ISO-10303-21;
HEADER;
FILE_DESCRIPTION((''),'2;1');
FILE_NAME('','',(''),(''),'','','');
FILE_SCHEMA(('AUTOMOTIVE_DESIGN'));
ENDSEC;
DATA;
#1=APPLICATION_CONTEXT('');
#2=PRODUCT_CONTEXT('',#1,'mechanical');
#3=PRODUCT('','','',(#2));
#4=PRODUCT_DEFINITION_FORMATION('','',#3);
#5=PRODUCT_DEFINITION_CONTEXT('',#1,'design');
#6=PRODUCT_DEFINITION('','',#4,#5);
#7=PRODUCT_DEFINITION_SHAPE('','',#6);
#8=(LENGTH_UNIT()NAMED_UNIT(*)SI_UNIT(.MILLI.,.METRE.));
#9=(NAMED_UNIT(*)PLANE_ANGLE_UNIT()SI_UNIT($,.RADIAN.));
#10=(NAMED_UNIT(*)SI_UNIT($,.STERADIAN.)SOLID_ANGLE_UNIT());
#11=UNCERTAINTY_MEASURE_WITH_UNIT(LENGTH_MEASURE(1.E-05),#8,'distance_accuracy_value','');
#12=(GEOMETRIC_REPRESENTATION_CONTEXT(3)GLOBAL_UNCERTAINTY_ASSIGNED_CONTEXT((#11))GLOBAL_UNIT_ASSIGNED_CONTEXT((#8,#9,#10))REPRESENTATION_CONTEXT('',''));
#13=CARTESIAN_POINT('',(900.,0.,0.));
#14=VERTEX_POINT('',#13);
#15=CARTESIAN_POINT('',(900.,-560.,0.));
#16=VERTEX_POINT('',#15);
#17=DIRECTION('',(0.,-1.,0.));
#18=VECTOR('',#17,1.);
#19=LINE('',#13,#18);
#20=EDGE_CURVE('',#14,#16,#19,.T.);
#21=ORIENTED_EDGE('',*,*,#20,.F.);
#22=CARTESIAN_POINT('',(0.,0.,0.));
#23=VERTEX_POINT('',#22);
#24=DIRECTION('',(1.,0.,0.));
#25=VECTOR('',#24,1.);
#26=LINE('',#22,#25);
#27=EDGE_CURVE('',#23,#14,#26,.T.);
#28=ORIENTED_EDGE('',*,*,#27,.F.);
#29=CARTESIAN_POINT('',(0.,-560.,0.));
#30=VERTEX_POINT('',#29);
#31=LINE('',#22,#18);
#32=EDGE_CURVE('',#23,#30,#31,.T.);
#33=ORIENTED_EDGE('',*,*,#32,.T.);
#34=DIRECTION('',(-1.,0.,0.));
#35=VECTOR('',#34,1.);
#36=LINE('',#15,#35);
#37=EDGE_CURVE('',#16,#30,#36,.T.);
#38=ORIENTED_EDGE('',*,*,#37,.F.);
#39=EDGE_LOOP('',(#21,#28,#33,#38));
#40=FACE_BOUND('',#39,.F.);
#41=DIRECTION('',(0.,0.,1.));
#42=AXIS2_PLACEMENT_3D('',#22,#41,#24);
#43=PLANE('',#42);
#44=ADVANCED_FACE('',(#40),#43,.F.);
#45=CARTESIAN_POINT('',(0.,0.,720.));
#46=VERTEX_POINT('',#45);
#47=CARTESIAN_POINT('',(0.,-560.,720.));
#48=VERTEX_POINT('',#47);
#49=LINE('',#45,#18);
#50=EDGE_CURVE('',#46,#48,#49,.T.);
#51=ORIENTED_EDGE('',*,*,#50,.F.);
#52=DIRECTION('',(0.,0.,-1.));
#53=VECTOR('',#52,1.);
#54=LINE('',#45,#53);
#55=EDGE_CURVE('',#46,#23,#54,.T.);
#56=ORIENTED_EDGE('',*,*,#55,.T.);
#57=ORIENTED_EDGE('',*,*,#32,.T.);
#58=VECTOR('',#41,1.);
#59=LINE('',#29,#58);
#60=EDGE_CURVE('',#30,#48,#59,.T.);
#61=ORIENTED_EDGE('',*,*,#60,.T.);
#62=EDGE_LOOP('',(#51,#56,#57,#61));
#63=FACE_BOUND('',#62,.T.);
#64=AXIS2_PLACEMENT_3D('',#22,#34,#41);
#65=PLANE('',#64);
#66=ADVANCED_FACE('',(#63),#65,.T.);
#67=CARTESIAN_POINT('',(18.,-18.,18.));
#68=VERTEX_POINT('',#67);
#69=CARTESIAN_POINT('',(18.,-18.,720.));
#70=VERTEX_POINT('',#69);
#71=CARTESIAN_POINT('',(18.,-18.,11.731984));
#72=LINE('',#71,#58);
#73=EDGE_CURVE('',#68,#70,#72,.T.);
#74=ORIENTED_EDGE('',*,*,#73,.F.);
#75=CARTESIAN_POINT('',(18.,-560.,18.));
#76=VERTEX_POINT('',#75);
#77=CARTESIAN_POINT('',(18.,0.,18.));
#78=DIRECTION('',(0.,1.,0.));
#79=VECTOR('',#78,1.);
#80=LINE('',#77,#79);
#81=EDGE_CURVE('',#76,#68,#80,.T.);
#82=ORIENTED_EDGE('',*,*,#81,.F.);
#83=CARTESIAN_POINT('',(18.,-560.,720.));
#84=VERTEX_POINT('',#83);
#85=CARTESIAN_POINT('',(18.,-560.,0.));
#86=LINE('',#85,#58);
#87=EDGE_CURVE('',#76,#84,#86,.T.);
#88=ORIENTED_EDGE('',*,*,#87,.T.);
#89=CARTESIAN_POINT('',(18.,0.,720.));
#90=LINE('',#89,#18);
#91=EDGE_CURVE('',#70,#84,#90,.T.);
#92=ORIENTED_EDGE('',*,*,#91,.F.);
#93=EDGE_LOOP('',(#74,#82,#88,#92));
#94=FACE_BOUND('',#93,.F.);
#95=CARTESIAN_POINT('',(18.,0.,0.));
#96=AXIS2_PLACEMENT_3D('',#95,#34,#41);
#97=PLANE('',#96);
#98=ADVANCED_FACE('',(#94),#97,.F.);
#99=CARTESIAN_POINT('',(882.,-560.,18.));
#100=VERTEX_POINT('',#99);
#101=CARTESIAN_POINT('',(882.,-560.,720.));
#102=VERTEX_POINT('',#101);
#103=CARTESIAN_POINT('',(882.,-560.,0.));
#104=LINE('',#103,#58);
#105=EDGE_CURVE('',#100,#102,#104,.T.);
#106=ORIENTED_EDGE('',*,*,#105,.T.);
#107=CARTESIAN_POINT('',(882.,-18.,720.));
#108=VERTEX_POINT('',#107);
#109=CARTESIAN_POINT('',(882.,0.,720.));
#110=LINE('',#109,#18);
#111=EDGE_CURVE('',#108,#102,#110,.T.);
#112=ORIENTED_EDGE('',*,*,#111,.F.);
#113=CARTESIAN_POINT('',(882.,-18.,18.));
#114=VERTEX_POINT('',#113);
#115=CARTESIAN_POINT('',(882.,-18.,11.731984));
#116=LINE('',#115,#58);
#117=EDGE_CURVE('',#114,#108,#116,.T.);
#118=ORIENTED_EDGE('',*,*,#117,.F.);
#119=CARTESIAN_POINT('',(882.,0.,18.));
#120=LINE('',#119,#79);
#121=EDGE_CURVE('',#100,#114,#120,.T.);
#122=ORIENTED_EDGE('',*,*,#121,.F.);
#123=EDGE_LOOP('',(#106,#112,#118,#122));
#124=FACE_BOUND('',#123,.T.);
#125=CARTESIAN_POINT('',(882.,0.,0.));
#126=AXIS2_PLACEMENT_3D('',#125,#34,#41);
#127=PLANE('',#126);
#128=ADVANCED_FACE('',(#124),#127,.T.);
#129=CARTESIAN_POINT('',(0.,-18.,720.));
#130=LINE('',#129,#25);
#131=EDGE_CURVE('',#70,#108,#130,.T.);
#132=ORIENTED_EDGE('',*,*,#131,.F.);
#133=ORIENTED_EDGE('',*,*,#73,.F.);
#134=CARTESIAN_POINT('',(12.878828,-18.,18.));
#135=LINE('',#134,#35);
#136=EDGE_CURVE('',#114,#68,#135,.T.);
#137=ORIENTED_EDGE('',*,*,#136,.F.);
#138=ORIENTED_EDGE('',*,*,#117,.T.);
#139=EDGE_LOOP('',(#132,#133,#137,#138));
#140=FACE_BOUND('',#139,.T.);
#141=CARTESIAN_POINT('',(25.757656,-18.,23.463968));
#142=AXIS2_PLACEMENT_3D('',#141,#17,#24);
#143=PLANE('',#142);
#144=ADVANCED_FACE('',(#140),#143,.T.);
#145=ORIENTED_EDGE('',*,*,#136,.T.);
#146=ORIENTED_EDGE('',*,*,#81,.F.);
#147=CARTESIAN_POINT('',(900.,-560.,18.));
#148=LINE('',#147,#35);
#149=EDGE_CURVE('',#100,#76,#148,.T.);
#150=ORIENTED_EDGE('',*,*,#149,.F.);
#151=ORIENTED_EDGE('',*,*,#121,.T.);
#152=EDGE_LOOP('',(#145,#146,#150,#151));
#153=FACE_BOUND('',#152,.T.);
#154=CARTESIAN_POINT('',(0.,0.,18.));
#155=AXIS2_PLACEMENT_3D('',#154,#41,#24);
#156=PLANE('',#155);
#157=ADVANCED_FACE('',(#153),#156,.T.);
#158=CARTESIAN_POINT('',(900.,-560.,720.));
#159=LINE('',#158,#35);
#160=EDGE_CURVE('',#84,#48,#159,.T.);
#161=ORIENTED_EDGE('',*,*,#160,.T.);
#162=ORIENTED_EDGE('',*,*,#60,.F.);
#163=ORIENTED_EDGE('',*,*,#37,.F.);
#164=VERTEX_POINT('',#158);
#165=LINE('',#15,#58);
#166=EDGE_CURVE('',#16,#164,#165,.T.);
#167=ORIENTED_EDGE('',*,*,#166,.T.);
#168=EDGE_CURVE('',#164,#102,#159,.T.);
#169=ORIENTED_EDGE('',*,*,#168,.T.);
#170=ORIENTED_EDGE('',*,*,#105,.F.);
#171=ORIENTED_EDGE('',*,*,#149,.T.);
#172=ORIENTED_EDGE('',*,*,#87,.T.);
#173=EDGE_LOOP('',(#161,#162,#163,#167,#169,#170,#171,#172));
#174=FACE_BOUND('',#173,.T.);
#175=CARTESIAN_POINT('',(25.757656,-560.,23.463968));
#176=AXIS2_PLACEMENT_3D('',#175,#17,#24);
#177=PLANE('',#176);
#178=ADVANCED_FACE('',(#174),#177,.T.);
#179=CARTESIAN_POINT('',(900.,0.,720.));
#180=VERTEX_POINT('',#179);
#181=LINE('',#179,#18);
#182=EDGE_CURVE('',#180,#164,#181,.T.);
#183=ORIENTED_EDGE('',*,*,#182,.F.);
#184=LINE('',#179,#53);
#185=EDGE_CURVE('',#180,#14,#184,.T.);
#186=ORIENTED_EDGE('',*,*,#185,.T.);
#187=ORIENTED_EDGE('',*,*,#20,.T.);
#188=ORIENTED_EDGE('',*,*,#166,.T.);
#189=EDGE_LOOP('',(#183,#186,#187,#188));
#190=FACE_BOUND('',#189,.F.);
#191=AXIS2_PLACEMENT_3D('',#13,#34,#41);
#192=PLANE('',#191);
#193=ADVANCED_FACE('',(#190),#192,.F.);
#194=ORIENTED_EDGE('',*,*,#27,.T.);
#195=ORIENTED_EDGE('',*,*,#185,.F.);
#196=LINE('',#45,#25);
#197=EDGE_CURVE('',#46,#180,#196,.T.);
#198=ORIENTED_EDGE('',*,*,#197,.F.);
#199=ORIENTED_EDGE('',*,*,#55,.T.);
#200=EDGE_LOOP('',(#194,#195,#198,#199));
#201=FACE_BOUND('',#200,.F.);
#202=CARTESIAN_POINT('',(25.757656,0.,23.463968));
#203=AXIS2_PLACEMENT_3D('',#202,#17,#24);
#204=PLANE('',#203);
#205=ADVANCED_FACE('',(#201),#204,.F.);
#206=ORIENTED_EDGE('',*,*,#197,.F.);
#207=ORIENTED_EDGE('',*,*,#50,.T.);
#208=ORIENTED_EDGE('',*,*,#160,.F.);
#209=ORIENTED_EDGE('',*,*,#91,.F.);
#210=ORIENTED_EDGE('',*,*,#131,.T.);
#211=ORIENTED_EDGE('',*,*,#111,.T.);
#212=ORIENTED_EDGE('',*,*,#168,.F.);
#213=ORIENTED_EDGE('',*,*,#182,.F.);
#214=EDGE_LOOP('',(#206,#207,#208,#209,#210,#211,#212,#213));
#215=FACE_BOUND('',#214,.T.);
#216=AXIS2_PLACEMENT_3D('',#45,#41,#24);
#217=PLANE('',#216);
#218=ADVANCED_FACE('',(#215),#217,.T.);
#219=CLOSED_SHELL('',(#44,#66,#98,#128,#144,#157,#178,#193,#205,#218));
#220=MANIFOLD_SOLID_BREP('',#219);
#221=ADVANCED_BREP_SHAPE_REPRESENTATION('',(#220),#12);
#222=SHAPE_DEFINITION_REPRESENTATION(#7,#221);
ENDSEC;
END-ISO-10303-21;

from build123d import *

# Parameters (mm, degrees)
F0_W     = 51.5153110027
F0_H     = 46.9279363751
F1_DEPTH = 560
F2_DEPTH = 900
F3_DEPTH = 720
F4_T     = -18


with BuildPart() as f1:
    # F0 (on Front) → F1 (new body)
    with BuildSketch(Plane.XZ):
        with Locations((25.7576555014, 23.4639681876)):
            Rectangle(F0_W, F0_H)
    extrude(amount=F1_DEPTH)

    # F2 (add): a face of the model
    f2_faces = [f1.faces().sort_by_distance(p)[0] for p in [
        (0, -280, 23.4639681876),
    ]]
    extrude(f2_faces, amount=-F2_DEPTH)

    # F3 (add): a face of the model
    f3_faces = [f1.faces().sort_by_distance(p)[0] for p in [
        (450, -280, 0),
    ]]
    extrude(f3_faces, amount=-F3_DEPTH)

    # F4
    f4_openings = [f1.faces().sort_by_distance(p)[0] for p in [
        (450, -560, 360),
        (450, -280, 720),
    ]]
    offset(amount=F4_T, openings=f4_openings)


solid = f1.part
